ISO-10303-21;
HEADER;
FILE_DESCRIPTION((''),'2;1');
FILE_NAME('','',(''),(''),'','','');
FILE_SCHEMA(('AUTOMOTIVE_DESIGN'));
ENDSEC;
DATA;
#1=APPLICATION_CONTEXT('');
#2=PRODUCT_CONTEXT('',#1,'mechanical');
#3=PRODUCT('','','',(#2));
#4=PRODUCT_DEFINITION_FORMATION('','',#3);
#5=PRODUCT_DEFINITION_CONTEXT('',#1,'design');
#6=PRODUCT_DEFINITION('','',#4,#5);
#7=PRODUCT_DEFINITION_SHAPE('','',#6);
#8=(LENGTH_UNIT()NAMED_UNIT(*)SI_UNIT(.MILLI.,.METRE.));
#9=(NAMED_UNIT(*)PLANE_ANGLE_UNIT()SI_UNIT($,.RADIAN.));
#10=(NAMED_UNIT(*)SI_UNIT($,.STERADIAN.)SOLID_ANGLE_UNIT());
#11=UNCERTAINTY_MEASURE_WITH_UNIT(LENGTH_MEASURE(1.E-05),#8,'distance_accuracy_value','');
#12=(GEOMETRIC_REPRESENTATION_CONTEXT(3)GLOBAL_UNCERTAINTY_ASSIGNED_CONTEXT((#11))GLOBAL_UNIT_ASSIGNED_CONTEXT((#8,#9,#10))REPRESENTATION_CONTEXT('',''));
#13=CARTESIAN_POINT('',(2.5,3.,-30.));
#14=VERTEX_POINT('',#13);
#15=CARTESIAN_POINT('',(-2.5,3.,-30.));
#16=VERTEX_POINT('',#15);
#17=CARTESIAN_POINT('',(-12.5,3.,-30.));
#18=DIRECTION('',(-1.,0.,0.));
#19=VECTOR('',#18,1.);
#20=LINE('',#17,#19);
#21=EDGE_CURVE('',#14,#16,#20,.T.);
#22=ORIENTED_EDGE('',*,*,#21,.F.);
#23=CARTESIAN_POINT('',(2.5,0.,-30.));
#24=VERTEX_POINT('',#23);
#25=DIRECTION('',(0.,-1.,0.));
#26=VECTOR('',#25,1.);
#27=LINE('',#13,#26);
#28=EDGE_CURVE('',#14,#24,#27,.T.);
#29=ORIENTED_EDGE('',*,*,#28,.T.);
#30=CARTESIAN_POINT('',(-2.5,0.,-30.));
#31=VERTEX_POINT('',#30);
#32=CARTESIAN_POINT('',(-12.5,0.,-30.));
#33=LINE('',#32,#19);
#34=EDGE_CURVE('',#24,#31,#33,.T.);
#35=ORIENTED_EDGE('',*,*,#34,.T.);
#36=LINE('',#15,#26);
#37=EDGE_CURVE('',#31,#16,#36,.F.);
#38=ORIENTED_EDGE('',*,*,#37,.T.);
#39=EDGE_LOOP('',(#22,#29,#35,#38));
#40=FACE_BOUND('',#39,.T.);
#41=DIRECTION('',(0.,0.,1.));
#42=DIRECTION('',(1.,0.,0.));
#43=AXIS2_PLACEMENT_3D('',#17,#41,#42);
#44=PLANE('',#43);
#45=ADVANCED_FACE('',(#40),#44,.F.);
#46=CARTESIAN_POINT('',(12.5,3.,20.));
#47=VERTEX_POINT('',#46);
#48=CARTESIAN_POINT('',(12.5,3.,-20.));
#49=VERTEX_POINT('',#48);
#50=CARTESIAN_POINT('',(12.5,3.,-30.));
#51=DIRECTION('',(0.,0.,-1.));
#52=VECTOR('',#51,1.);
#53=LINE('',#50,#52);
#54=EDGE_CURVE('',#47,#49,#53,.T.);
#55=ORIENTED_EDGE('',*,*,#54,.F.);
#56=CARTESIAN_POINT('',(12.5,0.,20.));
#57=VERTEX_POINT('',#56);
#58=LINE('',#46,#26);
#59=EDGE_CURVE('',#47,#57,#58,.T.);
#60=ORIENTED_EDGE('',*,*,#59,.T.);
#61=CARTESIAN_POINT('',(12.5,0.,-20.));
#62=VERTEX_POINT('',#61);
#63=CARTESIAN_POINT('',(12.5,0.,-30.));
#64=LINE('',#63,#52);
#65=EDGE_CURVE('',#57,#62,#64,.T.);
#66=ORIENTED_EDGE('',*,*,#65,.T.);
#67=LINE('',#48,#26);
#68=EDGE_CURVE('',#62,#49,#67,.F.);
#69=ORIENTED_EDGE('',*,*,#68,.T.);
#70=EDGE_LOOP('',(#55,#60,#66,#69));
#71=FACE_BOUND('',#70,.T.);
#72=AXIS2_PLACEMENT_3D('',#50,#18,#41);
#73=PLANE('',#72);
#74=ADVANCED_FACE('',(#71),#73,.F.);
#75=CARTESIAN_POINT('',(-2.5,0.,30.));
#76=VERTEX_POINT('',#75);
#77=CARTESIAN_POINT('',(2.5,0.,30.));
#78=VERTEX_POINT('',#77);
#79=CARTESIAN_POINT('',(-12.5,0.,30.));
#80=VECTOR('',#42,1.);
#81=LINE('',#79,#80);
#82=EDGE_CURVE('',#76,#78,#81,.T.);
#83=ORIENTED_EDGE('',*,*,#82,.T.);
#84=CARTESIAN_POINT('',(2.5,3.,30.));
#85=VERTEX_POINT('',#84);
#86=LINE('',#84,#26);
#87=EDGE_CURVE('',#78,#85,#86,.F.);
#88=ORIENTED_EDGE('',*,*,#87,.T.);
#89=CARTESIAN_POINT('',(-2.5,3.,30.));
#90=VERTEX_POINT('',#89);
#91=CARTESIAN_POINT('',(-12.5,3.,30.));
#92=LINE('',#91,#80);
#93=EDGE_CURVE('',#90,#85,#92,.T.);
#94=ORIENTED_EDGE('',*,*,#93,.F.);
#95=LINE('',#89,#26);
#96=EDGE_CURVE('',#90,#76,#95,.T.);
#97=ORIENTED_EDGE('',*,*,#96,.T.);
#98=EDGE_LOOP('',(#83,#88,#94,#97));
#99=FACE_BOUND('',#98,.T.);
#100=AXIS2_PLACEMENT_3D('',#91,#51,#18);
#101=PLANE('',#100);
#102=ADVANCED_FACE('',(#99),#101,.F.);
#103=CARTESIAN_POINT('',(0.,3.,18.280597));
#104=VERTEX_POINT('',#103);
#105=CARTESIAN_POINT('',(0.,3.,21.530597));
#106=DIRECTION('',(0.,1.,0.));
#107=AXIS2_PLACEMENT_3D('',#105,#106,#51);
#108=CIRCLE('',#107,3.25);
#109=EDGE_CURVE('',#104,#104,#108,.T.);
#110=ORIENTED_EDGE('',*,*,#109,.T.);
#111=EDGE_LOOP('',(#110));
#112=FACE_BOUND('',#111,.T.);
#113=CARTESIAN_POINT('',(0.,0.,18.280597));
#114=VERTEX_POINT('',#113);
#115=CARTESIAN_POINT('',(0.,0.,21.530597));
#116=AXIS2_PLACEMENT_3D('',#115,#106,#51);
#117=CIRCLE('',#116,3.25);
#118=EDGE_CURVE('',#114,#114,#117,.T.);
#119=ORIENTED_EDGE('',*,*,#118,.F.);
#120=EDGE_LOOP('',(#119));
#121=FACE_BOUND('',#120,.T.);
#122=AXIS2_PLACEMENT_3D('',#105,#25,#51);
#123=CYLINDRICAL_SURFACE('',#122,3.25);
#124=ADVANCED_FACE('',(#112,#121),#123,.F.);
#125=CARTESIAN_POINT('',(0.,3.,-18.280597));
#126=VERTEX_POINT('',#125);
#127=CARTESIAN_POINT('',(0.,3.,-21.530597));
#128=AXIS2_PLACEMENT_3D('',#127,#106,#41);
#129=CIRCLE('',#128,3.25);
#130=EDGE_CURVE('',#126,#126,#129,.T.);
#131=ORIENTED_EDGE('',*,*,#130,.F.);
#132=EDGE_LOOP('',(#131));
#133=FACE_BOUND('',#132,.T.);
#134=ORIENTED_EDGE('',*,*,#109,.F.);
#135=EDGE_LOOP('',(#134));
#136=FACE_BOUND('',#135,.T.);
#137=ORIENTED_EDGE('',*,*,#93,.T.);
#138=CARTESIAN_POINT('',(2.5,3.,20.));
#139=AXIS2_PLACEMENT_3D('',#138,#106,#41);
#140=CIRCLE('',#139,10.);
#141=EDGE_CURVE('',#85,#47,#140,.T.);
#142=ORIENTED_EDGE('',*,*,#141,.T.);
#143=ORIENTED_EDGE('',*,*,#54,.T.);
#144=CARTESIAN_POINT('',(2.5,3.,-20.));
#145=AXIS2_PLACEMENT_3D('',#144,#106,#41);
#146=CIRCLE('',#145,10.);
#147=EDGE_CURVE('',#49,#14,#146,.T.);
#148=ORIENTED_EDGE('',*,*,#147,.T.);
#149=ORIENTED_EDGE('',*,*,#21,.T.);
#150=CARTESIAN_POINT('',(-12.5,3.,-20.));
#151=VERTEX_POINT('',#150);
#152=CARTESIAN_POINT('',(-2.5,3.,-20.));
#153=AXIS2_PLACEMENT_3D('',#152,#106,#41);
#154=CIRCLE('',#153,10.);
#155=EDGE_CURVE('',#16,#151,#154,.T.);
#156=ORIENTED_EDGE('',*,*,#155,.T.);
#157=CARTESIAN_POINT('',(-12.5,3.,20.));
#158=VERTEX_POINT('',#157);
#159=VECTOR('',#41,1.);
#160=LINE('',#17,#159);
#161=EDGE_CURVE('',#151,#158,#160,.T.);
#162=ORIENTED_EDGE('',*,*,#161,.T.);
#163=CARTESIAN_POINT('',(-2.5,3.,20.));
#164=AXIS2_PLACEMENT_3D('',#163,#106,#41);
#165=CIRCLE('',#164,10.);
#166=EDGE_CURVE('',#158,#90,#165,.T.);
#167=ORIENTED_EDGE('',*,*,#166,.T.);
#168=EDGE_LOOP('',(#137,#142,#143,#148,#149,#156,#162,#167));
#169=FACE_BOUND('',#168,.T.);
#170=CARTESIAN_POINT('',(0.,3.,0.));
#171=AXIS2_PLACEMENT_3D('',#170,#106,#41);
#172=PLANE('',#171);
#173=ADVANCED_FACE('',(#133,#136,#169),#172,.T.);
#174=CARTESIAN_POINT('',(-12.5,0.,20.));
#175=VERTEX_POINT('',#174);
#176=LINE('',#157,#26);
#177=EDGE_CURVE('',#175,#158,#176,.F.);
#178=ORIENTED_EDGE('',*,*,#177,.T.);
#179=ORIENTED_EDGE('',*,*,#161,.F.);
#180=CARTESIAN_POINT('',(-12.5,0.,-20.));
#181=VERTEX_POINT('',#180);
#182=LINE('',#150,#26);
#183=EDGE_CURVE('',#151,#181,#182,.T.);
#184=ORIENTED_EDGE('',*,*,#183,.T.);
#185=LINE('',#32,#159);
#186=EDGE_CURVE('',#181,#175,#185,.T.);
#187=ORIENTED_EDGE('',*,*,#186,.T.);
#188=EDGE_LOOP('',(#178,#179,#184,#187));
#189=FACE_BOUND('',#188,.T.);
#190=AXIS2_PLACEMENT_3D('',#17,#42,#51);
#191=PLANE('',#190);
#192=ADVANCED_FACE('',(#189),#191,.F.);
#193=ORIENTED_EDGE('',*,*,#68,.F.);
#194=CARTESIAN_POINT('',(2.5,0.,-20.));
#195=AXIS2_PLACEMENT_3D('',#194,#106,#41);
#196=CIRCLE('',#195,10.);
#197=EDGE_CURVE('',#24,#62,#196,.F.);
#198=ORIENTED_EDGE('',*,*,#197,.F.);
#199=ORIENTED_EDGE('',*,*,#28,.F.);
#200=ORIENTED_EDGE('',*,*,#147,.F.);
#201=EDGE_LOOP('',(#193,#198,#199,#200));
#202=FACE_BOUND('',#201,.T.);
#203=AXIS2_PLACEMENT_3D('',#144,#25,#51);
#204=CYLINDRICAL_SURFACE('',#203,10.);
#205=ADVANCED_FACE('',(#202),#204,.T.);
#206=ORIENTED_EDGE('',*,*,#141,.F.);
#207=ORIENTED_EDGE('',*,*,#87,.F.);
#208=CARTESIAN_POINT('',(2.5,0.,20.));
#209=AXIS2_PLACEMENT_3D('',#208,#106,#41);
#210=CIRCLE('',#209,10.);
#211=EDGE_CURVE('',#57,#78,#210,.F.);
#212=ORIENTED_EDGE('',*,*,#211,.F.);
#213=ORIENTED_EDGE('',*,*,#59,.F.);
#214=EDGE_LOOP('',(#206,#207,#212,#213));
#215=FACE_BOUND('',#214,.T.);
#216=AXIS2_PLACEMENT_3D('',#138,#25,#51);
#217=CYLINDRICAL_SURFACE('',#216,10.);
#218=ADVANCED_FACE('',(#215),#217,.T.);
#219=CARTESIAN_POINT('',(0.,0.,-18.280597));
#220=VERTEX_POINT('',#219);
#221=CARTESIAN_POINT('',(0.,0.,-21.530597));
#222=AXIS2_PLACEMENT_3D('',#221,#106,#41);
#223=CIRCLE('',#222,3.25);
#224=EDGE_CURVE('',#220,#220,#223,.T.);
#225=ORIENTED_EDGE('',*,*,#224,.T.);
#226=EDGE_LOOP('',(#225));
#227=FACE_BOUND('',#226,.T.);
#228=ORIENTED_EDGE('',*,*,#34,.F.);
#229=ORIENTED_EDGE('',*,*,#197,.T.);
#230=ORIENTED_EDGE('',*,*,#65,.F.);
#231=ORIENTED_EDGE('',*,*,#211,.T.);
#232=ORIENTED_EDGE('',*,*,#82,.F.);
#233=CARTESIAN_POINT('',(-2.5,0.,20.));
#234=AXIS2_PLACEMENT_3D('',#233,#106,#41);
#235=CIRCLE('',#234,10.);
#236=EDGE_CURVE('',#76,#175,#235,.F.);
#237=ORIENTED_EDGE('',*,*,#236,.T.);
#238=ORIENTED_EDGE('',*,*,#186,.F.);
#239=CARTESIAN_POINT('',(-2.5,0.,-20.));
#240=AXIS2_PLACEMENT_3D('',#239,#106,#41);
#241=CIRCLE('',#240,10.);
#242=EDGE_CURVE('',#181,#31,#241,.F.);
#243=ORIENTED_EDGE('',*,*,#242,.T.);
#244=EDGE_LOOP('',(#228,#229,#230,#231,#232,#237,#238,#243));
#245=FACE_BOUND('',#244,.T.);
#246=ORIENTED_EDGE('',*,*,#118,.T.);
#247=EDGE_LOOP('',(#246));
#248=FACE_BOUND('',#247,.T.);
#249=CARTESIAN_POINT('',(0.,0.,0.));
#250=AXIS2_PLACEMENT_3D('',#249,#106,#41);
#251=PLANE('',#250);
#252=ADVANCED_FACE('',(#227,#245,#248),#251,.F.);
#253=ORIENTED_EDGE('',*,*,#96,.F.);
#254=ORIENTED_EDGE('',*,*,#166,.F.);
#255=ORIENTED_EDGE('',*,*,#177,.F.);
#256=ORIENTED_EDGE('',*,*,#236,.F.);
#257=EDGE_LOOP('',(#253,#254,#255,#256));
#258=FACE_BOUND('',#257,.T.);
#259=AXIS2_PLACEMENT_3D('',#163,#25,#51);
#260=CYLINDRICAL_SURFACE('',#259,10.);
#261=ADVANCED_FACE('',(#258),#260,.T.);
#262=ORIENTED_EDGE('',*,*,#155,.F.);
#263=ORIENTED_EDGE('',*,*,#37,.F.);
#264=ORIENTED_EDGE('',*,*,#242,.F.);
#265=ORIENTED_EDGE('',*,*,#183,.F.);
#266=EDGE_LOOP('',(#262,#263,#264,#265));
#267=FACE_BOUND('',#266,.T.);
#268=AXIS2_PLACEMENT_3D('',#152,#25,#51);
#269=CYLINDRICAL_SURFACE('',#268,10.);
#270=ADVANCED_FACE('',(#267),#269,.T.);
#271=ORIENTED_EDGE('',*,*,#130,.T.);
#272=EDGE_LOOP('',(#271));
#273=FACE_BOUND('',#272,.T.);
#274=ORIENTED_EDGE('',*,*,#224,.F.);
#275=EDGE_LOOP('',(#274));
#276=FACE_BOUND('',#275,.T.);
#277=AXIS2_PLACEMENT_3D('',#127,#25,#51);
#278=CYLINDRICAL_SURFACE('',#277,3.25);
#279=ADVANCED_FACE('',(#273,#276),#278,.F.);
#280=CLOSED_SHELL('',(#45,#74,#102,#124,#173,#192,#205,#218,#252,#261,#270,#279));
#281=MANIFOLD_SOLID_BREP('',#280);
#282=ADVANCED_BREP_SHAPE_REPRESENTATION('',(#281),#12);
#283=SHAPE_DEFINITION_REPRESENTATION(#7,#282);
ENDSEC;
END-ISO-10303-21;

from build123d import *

# Parameters (mm, degrees)
SKETCH_1_W      = 25
SKETCH_1_H      = 60
SKETCH_1_R      = 3.25
EXTRUDE_1_DEPTH = 3
FILLET_1_R      = 10


with BuildPart() as part:
    # 草图1 → 凸台-拉伸1 (new body)
    with BuildSketch(Plane(origin=(0, 0, 0), x_dir=(1, 0, 0), z_dir=(0, 1, 0))):
        Rectangle(SKETCH_1_W, SKETCH_1_H)
        with Locations(Location((0, 21.530596515, 0), (0, 0, 270))):
            Circle(SKETCH_1_R, mode=Mode.SUBTRACT)
        with Locations(Location((0, -21.530596515, 0), (0, 0, 90))):
            Circle(SKETCH_1_R, mode=Mode.SUBTRACT)
    extrude(amount=EXTRUDE_1_DEPTH)

    # 圆角1
    fillet_1_edges = [part.edges().sort_by_distance(p)[0] for p in [
        (12.5, 1.5, 30),
        (-12.5, 1.5, 30),
        (-12.5, 1.5, -30),
        (12.5, 1.5, -30),
    ]]
    fillet(fillet_1_edges, radius=FILLET_1_R)


solid = part.part
